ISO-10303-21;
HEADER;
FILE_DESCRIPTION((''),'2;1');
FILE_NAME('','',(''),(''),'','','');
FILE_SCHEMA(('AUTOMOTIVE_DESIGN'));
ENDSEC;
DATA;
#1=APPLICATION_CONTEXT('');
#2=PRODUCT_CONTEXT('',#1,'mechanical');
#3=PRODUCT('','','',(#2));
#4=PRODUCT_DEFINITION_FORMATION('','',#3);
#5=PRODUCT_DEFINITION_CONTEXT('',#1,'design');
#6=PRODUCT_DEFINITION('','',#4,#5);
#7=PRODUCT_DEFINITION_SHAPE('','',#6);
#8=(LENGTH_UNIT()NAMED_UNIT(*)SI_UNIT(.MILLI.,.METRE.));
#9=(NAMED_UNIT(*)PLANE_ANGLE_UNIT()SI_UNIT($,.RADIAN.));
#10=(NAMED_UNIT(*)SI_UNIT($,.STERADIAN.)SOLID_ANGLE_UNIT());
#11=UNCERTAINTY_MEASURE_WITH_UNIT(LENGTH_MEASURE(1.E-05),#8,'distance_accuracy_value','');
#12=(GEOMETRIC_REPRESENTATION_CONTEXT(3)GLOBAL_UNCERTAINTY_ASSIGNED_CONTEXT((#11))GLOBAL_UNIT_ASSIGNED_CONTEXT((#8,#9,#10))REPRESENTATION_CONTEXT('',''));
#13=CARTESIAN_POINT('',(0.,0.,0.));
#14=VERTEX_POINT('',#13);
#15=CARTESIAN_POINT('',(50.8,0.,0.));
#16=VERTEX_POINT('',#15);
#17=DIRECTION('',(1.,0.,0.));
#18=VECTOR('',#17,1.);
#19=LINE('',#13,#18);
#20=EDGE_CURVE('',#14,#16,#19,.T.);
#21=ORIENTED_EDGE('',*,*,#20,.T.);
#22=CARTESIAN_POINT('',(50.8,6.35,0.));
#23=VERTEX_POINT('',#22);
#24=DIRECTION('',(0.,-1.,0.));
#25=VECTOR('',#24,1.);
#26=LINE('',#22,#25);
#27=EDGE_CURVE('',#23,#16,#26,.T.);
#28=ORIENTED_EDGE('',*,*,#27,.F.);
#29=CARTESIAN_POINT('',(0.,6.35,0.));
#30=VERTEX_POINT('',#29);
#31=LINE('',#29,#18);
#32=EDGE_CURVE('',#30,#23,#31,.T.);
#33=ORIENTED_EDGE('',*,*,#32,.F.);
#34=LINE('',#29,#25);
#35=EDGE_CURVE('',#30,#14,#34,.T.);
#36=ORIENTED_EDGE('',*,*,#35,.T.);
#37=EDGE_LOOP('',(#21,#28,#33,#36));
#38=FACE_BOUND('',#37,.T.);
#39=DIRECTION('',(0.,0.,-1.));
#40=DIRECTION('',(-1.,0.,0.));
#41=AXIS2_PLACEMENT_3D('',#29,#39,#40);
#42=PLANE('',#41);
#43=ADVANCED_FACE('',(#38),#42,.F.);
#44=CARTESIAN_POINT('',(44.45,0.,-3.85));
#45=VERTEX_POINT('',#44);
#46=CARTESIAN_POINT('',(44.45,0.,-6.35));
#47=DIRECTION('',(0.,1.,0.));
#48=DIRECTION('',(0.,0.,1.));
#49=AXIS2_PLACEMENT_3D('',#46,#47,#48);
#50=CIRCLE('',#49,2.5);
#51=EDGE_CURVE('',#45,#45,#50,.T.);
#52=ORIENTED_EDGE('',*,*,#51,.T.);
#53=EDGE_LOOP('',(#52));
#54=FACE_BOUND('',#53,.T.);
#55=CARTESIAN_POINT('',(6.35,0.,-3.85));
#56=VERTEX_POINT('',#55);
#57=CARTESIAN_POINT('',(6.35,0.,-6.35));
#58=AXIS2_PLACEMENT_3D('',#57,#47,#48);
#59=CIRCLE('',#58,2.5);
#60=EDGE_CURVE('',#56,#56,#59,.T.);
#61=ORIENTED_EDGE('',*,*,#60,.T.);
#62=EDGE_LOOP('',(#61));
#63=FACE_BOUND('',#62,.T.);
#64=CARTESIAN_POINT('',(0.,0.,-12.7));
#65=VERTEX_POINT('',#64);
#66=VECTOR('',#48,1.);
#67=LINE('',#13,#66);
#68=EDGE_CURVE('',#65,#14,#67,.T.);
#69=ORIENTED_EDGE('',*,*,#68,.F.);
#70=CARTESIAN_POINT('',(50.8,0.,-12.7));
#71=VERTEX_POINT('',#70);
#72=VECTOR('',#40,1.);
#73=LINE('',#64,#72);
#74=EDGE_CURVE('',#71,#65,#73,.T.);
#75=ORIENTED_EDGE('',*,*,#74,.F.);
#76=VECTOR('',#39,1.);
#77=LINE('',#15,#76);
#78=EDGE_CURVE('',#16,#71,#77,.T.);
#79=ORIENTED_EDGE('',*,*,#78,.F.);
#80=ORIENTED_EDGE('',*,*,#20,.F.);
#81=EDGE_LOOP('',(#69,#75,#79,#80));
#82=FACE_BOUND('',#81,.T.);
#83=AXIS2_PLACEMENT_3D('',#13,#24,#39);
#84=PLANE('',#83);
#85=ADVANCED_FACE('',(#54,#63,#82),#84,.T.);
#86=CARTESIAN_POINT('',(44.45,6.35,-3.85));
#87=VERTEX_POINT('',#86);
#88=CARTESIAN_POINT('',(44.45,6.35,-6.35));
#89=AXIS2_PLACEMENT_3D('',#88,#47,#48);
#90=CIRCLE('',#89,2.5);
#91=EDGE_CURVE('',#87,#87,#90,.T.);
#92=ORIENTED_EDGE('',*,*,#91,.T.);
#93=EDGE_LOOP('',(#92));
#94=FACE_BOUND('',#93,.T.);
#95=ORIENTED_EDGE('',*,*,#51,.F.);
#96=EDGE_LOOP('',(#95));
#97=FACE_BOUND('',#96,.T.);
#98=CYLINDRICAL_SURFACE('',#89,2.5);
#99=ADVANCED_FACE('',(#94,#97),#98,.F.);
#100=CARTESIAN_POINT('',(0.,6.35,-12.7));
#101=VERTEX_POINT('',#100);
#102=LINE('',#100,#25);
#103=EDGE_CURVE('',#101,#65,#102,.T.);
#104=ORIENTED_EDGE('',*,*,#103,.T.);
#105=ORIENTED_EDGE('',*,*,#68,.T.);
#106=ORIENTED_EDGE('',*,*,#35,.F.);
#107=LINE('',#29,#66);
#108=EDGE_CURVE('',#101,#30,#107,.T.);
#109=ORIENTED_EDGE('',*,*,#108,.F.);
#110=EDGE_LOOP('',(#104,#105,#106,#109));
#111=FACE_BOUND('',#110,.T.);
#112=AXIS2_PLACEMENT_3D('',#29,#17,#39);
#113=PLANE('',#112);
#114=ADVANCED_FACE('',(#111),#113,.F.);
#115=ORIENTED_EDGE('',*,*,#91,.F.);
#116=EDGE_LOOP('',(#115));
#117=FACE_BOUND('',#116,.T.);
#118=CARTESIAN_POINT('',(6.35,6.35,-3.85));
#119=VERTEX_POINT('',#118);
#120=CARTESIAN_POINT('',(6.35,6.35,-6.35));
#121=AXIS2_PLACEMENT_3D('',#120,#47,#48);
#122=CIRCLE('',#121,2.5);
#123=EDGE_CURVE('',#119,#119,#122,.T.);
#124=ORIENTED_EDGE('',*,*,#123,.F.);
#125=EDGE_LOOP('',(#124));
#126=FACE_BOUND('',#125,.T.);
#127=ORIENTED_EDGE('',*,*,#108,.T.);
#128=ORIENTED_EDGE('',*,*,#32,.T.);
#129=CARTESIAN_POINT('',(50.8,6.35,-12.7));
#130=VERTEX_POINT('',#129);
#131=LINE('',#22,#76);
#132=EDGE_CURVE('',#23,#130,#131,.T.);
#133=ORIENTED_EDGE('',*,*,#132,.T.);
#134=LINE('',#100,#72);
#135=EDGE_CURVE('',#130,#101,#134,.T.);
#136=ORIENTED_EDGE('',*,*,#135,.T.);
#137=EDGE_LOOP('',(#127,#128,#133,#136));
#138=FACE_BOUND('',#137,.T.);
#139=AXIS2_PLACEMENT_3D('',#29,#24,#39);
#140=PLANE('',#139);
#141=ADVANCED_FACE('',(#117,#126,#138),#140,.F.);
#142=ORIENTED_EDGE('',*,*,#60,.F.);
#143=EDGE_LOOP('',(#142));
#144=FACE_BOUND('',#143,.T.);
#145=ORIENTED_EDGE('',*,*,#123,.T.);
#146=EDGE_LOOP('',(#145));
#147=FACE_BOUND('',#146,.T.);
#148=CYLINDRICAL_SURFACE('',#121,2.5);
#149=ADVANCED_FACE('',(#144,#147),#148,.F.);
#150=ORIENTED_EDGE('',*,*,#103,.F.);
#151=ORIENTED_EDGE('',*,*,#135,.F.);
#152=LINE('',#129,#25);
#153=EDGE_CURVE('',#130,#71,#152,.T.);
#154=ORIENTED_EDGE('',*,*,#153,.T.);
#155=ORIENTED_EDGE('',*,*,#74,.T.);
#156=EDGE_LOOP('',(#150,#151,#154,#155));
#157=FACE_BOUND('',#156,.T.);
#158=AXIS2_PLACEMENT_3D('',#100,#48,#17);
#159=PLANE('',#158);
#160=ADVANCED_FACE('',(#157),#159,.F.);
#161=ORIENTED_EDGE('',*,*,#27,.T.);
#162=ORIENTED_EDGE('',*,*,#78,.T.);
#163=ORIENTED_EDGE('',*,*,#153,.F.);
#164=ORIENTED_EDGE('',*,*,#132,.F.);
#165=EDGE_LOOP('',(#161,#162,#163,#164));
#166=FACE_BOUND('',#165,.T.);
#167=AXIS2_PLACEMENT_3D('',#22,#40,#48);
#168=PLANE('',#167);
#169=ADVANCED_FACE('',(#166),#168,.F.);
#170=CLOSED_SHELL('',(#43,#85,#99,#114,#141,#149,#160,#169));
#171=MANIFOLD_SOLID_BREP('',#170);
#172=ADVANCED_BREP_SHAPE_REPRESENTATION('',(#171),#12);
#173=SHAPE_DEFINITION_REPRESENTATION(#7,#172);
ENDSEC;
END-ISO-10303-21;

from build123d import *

# Parameters (mm, degrees)
SKETCH1_W             = 50.8
SKETCH1_H             = 12.7
BOSS_EXTRUDE1_DEPTH   = 6.35
F_5_0MM_DOWEL_HOLE1_D = 5


with BuildPart() as part:
    # Sketch1 → Boss-Extrude1 (new body)
    with BuildSketch(Plane(origin=(0, 0, 0), x_dir=(1, 0, 0), z_dir=(0, 1, 0))):
        with Locations((25.4, 6.35)):
            Rectangle(SKETCH1_W, SKETCH1_H)
    extrude(amount=BOSS_EXTRUDE1_DEPTH)

    # Ø5.0mm Dowel Hole1 (through all)
    with Locations(Plane(origin=(0, 6.35, 0), x_dir=(1, 0, 0), z_dir=(0, 1, 0))):
        with Locations((6.35, 6.35), (44.45, 6.35)):
            Hole(F_5_0MM_DOWEL_HOLE1_D / 2)


solid = part.part
